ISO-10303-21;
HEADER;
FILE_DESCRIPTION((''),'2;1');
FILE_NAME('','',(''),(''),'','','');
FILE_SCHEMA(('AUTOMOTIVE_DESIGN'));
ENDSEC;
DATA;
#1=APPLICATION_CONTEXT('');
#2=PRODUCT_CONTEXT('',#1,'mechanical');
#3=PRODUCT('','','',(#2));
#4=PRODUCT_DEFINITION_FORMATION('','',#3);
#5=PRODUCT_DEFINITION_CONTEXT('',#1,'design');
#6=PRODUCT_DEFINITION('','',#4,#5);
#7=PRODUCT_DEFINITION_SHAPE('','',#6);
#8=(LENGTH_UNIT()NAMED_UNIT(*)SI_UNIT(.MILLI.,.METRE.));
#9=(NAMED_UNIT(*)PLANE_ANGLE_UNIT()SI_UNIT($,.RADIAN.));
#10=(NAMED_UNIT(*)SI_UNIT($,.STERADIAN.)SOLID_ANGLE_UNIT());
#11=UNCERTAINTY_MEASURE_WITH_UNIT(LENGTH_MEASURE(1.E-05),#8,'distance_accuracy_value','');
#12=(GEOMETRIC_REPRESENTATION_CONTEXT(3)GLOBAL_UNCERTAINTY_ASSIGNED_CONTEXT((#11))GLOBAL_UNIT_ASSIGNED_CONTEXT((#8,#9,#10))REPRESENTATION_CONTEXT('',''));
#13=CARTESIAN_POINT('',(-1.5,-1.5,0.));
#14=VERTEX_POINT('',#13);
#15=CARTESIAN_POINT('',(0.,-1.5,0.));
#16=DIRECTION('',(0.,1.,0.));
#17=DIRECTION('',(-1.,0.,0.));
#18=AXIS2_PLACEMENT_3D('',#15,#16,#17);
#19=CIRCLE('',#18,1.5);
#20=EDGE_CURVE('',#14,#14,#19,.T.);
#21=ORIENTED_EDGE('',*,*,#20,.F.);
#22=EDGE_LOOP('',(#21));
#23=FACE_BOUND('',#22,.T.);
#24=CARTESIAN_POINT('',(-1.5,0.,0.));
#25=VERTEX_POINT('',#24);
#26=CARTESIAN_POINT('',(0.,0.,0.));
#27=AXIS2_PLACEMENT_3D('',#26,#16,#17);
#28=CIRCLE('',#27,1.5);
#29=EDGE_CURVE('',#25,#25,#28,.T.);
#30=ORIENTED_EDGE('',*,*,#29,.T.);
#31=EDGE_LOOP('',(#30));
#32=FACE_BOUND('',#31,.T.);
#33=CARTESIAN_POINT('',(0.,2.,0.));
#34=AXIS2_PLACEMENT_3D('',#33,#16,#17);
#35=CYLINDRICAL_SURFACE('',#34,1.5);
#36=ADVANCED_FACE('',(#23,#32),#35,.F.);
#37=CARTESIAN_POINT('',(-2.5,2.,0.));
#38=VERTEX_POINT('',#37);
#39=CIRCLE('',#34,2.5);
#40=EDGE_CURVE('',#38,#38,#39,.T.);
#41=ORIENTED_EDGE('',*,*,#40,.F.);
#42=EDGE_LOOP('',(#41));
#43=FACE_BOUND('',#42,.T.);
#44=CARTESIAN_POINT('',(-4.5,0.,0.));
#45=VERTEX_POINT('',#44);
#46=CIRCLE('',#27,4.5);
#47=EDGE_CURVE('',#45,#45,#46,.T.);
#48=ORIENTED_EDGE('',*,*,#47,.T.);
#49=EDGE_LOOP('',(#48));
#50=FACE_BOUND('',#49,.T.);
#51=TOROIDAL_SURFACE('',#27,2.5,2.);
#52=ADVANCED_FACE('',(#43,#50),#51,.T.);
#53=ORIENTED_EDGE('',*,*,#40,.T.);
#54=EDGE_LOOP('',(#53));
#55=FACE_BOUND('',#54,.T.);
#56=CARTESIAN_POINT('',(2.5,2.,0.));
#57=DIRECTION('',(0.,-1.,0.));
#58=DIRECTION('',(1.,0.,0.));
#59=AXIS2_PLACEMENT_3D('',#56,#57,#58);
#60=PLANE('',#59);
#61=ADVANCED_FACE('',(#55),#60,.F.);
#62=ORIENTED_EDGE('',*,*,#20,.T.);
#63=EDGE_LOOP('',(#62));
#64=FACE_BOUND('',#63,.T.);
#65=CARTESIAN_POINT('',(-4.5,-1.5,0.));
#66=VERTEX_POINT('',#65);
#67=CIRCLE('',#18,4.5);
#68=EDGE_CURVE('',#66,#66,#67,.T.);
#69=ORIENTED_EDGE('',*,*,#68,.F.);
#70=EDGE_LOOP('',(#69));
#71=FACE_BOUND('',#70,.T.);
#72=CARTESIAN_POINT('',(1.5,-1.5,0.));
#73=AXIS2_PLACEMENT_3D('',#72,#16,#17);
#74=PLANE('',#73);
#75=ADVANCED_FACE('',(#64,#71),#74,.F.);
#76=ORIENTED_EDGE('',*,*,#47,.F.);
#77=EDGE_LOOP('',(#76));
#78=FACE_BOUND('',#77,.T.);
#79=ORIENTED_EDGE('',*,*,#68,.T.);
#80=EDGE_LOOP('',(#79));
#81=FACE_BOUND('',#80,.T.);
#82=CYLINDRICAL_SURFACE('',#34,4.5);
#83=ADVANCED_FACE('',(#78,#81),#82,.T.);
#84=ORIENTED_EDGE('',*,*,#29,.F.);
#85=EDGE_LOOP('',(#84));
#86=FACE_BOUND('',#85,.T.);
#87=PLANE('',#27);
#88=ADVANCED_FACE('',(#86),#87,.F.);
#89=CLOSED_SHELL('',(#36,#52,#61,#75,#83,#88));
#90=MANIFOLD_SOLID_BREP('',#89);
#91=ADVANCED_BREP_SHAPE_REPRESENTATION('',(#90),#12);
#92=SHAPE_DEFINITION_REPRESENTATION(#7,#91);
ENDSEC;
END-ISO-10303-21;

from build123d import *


with BuildPart() as part:
    # Schizzo1 → Rivoluzione1 (revolve)
    with BuildSketch(Plane.XY, mode=Mode.PRIVATE) as rivoluzione1_sk:
        with BuildLine():
            Line((0, 0), (1.5, 0))
            Line((1.5, 0), (1.5, -1.5))
            Line((1.5, -1.5), (4.5, -1.5))
            Line((4.5, -1.5), (4.5, 0))
            ThreePointArc((4.5, 0), (3.914213562, 1.414213562), (2.5, 2))
            Line((2.5, 2), (0, 2))
            Line((0, 2), (0, 0))
        make_face()
    revolve(rivoluzione1_sk.sketch.rotate(Axis((0, 2, 0), (0, -1, 0)), 180), axis=Axis((0, 2, 0), (0, -1, 0)))


solid = part.part
